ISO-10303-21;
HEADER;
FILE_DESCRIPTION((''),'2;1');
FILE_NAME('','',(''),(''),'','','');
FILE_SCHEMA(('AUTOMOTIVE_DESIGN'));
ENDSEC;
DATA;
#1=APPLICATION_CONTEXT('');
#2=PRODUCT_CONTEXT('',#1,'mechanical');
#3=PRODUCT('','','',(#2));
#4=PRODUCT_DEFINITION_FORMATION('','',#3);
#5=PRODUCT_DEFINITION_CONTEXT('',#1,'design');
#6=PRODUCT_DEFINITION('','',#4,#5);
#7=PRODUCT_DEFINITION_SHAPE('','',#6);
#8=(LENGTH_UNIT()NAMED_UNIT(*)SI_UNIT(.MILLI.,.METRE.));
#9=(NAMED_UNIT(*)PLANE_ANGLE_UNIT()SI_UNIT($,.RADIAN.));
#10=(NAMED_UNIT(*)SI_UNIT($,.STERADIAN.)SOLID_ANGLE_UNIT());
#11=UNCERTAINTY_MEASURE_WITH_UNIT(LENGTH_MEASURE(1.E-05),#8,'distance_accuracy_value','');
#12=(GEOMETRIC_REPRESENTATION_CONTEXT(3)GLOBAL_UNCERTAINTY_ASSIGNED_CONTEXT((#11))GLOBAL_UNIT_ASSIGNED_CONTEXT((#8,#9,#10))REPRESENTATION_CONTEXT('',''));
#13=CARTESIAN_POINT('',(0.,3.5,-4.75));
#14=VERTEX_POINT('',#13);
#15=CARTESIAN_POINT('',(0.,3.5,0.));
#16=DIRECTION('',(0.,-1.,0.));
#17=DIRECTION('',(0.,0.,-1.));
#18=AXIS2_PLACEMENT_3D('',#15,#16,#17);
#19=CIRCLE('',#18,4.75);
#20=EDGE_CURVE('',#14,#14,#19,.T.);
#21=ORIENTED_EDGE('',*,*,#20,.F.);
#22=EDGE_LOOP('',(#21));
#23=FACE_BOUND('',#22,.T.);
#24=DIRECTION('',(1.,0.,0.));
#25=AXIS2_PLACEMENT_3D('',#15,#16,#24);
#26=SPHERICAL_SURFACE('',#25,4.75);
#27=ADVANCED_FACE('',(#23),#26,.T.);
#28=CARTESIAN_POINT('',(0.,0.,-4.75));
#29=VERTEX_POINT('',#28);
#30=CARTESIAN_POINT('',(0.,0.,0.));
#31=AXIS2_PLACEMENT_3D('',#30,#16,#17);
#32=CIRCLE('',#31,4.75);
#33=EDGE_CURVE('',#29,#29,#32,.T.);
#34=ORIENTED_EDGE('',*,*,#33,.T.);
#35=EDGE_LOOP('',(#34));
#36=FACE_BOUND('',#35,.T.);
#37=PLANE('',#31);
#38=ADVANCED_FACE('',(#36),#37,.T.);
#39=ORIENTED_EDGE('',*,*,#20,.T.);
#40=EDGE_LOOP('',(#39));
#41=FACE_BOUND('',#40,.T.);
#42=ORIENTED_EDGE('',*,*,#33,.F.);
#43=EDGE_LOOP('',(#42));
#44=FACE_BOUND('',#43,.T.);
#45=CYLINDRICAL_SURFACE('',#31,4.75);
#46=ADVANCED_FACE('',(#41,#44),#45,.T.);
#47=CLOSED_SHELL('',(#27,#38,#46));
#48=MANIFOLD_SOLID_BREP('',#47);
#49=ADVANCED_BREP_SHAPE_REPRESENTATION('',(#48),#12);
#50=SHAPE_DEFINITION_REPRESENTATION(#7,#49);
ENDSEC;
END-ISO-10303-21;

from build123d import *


with BuildPart() as part:
    # Sketch2 → Revolve1 (revolve)
    with BuildSketch(Plane.XY, mode=Mode.PRIVATE) as revolve1_sk:
        with BuildLine():
            Line((0, 0), (4.75, 0))
            Line((4.75, 0), (4.75, 3.5))
            ThreePointArc((4.75, 3.5), (3.358757211, 6.858757211), (0, 8.25))
            Line((0, 8.25), (0, 0))
        make_face()
    revolve(revolve1_sk.sketch.rotate(Axis((0, 0, 0), (0, 1, 0)), 90), axis=Axis((0, 0, 0), (0, 1, 0)))


solid = part.part
